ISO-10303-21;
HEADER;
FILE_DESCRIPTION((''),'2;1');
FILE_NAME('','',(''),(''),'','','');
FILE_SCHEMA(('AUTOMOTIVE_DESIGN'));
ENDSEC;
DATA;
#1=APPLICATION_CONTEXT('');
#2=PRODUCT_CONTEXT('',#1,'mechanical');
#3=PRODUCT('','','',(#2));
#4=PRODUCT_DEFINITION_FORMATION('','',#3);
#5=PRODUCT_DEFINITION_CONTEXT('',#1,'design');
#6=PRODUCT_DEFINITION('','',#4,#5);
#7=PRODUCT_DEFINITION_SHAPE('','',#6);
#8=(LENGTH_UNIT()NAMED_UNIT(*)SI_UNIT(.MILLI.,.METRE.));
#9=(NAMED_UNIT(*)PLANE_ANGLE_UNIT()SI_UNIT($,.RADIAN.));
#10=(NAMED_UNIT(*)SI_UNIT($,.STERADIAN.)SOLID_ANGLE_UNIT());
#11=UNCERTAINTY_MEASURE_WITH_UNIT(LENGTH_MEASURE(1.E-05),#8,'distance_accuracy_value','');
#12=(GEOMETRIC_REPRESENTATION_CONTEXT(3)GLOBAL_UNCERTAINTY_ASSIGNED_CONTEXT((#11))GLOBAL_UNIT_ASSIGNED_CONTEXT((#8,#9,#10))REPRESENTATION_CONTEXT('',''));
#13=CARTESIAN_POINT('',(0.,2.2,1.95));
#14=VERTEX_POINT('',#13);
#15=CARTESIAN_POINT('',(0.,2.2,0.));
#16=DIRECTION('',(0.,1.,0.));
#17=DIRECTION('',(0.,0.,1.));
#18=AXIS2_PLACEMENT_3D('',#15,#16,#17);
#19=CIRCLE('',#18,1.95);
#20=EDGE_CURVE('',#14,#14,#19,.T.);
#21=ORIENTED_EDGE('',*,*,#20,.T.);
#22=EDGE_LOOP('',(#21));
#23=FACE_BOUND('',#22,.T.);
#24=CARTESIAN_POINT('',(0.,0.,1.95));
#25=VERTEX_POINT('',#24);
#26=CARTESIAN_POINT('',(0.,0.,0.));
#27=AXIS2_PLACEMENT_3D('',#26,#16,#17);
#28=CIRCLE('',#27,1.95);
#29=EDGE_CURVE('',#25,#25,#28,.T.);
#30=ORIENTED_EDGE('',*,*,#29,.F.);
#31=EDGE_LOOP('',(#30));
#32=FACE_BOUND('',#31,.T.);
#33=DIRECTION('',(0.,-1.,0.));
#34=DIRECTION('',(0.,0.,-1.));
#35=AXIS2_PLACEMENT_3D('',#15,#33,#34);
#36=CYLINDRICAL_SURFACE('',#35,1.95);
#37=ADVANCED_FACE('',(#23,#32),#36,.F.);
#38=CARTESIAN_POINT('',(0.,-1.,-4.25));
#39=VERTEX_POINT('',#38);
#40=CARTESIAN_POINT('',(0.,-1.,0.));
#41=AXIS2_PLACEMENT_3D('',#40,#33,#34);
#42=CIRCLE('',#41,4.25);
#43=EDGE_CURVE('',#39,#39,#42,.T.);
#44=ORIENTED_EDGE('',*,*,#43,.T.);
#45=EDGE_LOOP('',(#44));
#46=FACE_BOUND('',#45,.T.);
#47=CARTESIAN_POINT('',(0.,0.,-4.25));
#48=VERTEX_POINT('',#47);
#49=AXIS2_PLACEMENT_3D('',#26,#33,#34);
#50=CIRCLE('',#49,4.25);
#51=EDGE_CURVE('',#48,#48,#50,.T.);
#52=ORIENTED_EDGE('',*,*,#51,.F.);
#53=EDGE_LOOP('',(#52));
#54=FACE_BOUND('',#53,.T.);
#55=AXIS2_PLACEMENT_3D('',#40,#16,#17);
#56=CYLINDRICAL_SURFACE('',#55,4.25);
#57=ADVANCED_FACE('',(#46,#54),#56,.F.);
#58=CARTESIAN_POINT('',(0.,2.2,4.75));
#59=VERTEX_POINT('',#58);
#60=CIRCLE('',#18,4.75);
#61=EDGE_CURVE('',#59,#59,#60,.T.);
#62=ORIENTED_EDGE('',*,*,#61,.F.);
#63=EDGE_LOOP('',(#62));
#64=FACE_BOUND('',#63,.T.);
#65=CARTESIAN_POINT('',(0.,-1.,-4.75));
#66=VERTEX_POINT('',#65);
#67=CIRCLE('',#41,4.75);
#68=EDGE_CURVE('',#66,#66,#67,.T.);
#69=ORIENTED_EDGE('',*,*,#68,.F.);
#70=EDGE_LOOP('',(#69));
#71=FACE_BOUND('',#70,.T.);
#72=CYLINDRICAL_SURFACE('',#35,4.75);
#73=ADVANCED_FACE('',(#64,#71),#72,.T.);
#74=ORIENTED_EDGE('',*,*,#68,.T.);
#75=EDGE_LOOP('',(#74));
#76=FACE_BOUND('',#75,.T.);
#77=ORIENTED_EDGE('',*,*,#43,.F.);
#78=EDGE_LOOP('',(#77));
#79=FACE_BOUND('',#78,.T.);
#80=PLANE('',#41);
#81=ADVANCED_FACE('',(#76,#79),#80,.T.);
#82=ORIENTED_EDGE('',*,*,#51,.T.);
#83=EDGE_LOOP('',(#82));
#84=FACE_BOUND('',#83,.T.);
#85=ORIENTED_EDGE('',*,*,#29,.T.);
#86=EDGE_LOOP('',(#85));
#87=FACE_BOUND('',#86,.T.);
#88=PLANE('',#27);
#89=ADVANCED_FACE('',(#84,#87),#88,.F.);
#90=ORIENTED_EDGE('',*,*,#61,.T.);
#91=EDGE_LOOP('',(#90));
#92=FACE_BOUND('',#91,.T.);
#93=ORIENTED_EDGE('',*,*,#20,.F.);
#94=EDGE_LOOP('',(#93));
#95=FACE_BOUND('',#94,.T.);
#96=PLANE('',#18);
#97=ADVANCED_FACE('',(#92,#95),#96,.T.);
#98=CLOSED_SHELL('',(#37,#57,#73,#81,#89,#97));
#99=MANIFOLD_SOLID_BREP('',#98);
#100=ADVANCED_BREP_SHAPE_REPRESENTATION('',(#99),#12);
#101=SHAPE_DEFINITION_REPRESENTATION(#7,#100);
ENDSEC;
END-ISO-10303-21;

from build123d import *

# Parameters (mm, degrees)
SKIZZE1_R                       = 4.75
SKIZZE1_R_2                     = 1.95
AUFSATZ_LINEAR_AUSTRAGEN1_DEPTH = 2.2
AUFSATZ_LINEAR_START            = 1
SKIZZE2_R                       = 4.75
SKIZZE2_R_2                     = 4.25
AUFSATZ_LINEAR_AUSTRAGEN2_DEPTH = 1


with BuildPart() as part:
    # Skizze1 → Aufsatz-Linear austragen1 (new body)
    with BuildSketch(Plane(origin=(0, 0, 0), x_dir=(1, 0, 0), z_dir=(0, 1, 0))):
        with Locations(Location((0, 0, 0), (0, 0, 270))):
            Circle(SKIZZE1_R)
        with Locations(Location((0, 0, 0), (0, 0, 270))):
            Circle(SKIZZE1_R_2, mode=Mode.SUBTRACT)
    extrude(amount=AUFSATZ_LINEAR_AUSTRAGEN1_DEPTH)

    # Skizze2 → Aufsatz-Linear austragen2 (add)
    with BuildSketch(Plane.XZ.offset(AUFSATZ_LINEAR_START)):
        with Locations(Location((0, 0, 0), (0, 0, 270))):
            Circle(SKIZZE2_R)
        with Locations(Location((0, 0, 0), (0, 0, 270))):
            Circle(SKIZZE2_R_2, mode=Mode.SUBTRACT)
    extrude(amount=-AUFSATZ_LINEAR_AUSTRAGEN2_DEPTH)


solid = part.part
